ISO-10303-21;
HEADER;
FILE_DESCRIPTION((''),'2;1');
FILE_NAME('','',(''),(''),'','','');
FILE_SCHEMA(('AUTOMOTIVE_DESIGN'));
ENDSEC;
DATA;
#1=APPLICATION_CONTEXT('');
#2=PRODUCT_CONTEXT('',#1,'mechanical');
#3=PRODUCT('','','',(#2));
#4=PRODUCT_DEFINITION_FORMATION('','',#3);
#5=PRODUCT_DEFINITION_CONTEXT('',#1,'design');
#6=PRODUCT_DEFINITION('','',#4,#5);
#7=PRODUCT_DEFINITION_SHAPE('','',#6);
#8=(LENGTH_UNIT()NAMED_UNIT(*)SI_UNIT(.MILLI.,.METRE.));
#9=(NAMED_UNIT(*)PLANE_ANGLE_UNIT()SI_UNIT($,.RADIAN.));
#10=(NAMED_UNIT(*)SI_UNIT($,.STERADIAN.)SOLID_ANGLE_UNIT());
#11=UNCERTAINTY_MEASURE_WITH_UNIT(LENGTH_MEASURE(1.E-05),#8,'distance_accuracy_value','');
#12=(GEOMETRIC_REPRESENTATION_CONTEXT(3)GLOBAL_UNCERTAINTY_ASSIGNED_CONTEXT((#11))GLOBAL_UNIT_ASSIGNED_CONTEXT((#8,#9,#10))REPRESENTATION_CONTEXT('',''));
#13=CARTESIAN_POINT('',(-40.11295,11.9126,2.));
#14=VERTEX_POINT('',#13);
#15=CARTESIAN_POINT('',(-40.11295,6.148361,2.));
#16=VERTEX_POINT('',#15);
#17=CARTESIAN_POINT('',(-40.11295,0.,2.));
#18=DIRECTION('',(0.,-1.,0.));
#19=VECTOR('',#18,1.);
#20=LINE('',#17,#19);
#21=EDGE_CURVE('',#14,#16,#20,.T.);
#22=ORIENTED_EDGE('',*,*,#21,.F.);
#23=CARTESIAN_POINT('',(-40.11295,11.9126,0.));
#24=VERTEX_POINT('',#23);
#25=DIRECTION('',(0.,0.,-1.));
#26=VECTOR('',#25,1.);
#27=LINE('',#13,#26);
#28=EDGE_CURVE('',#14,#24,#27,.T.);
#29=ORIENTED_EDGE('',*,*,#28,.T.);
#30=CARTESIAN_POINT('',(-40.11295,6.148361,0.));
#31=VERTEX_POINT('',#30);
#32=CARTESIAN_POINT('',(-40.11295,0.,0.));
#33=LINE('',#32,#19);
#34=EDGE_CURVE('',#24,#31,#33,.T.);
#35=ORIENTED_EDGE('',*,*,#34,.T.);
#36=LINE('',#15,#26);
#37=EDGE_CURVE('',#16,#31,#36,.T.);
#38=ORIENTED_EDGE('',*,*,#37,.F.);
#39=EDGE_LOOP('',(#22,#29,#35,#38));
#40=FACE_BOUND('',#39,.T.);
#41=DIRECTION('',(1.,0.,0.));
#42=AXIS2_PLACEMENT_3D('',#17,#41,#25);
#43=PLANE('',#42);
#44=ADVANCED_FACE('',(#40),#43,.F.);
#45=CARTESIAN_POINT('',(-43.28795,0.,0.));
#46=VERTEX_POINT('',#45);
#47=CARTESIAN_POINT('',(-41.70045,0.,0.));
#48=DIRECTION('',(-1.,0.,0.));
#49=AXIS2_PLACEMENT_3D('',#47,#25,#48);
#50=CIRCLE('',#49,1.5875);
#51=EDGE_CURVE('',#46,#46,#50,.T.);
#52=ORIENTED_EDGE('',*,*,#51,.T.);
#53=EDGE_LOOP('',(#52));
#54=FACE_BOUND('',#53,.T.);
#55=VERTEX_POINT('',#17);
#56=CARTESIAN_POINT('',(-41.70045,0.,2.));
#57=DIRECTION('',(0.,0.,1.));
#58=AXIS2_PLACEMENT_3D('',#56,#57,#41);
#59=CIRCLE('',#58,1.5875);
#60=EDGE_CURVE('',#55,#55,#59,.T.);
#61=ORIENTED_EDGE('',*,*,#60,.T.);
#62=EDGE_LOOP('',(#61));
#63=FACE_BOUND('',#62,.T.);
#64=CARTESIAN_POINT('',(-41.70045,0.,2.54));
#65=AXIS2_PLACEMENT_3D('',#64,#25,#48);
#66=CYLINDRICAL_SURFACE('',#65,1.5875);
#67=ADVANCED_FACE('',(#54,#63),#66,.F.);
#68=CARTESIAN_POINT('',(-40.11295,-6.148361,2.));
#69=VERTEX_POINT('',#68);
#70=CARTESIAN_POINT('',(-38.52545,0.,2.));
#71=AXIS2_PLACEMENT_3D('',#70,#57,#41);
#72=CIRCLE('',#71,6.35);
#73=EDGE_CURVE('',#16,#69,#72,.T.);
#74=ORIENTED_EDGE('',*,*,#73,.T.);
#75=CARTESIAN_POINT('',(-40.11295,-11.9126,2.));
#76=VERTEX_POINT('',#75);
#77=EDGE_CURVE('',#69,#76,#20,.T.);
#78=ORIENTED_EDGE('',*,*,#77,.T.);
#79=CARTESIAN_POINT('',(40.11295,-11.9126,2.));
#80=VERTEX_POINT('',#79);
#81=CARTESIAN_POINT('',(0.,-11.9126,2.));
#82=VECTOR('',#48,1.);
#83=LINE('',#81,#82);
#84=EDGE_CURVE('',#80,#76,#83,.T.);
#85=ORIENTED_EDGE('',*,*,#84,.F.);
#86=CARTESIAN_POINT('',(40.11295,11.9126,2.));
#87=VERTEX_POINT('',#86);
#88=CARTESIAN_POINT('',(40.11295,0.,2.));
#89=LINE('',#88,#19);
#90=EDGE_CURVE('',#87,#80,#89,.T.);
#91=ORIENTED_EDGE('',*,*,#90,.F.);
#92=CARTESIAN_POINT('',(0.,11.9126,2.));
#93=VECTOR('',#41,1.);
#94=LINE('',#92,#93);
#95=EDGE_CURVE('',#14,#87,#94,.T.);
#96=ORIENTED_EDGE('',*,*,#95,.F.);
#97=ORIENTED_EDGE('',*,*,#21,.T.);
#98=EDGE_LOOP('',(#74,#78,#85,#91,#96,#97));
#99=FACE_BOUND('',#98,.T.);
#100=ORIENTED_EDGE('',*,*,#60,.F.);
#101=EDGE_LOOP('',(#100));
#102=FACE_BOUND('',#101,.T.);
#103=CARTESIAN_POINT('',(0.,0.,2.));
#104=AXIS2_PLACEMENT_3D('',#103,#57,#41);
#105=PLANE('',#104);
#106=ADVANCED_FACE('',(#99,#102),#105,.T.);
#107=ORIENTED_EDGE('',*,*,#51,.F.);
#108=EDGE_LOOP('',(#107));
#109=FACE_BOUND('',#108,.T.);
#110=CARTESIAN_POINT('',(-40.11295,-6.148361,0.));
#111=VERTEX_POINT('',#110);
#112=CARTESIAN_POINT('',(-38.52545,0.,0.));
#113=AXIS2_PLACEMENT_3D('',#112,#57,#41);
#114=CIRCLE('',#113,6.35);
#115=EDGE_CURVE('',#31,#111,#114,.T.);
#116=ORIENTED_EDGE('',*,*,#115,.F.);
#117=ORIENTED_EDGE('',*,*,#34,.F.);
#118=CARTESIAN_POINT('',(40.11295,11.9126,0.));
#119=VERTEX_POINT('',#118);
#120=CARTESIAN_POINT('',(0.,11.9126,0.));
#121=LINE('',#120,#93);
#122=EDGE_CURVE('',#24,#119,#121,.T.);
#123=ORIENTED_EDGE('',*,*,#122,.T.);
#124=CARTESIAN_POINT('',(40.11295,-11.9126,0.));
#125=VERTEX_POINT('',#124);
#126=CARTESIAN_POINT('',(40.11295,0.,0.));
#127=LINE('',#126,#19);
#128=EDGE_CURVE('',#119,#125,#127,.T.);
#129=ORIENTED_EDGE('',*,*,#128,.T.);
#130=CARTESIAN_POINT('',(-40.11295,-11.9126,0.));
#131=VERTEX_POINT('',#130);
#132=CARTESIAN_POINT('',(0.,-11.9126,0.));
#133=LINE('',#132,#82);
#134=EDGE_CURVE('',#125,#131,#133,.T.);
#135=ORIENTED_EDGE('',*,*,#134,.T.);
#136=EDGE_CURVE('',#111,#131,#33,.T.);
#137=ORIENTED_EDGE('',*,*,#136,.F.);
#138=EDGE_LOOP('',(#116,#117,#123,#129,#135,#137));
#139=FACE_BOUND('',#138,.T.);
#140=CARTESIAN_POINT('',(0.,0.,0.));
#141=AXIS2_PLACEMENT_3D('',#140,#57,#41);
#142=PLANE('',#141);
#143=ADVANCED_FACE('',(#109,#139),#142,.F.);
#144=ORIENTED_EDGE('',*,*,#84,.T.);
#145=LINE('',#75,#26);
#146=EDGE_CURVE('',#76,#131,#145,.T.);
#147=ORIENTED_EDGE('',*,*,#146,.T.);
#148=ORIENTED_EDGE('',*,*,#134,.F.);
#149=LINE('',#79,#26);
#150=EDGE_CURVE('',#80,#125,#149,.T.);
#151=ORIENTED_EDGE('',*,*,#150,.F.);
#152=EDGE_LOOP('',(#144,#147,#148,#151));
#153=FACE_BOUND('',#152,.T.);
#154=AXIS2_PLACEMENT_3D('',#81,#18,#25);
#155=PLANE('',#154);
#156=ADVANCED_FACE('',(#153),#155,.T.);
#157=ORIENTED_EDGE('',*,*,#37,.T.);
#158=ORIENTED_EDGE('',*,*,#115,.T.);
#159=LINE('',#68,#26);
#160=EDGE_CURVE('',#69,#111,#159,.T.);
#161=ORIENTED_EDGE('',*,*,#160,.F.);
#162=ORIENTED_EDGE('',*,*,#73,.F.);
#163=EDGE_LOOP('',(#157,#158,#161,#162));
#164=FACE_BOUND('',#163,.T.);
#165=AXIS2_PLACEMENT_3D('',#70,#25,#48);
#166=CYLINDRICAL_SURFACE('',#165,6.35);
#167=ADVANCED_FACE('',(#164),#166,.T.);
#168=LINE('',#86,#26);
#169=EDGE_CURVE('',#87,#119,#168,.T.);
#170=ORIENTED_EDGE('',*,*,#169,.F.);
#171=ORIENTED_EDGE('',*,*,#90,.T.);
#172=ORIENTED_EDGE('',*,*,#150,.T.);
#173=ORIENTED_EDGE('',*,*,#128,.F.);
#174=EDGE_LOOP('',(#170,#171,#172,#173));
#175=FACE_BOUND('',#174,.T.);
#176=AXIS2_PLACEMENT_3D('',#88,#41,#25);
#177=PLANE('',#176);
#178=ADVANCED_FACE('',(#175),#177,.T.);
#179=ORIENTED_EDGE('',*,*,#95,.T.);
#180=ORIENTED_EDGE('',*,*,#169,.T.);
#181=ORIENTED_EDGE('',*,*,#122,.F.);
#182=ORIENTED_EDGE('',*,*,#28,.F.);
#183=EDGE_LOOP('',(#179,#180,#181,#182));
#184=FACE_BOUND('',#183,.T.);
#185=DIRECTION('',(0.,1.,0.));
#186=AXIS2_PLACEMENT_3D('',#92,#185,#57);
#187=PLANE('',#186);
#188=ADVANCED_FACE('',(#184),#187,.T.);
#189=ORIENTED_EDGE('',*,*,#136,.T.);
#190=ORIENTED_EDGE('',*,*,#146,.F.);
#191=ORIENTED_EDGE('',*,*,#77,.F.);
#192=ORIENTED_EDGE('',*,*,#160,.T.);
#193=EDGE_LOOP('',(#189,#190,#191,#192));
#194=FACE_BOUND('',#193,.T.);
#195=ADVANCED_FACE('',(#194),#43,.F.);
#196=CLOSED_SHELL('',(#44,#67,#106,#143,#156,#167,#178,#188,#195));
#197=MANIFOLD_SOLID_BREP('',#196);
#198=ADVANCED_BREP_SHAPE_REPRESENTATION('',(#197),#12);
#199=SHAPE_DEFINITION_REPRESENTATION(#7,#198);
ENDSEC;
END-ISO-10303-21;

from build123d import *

# Parameters (mm, degrees)
SKETCH2_R           = 6.35
SKETCH2_W           = 80.2259
SKETCH2_H           = 23.8252
SKETCH2_W_2         = 77.0509
SKETCH2_H_2         = 20.6502
BOSS_EXTRUDE1_DEPTH = 2
SKETCH5_R           = 1.5875
CUT_EXTRUDE1_DEPTH  = 2.54


with BuildPart() as part:
    # Sketch2 → Boss-Extrude1 (new body)
    # profile 1 of 7: a face of its own
    with BuildSketch(Plane.XY):
        with BuildLine():
            Line((-40.11295, -6.148361062), (-40.11295, 6.148361062))
            ThreePointArc((-40.11295, 6.148361062), (-44.87545, 0), (-40.11295, -6.148361062))
        make_face()
    # profile 2 of 7: a face of its own
    with BuildSketch(Plane.XY):
        with BuildLine():
            Line((-38.52545, -6.35), (-38.52545, 6.35))
            ThreePointArc((-38.52545, 6.35), (-39.325577257, 6.299388571), (-40.11295, 6.148361062))
            Line((-40.11295, 6.148361062), (-40.11295, -6.148361062))
            ThreePointArc((-40.11295, -6.148361062), (-39.325577257, -6.299388571), (-38.52545, -6.35))
        make_face()
    # profile 3 of 7: a face of its own
    with BuildSketch(Plane.XY):
        with Locations((-38.52545, 0)):
            Circle(SKETCH2_R)
    # profile 4 of 7: a face of its own
    with BuildSketch(Plane.XY):
        with Locations((-38.52545, 0)):
            Circle(SKETCH2_R)
    # profile 5 of 7: a face of its own
    with BuildSketch(Plane.XY):
        Rectangle(SKETCH2_W, SKETCH2_H)
        Rectangle(SKETCH2_W_2, SKETCH2_H_2, mode=Mode.SUBTRACT)
    # profile 6 of 7: a face of its own
    with BuildSketch(Plane.XY):
        Rectangle(SKETCH2_W_2, SKETCH2_H_2)
    # profile 7 of 7: a face of its own
    with BuildSketch(Plane.XY):
        with BuildLine():
            ThreePointArc((-32.17545, 0), (-34.035321939, 4.490128061), (-38.52545, 6.35))
            Line((-38.52545, 6.35), (-38.52545, -6.35))
            ThreePointArc((-38.52545, -6.35), (-34.035321939, -4.490128061), (-32.17545, 0))
        make_face()
    extrude(amount=BOSS_EXTRUDE1_DEPTH)

    # Sketch5 → Cut-Extrude1 (cut)
    with BuildSketch(Plane(origin=(0, 0, 0), x_dir=(-1, 0, 0), z_dir=(0, 0, -1))):
        with Locations((41.70045, 0)):
            Circle(SKETCH5_R)
    extrude(amount=-CUT_EXTRUDE1_DEPTH, mode=Mode.SUBTRACT)


solid = part.part
